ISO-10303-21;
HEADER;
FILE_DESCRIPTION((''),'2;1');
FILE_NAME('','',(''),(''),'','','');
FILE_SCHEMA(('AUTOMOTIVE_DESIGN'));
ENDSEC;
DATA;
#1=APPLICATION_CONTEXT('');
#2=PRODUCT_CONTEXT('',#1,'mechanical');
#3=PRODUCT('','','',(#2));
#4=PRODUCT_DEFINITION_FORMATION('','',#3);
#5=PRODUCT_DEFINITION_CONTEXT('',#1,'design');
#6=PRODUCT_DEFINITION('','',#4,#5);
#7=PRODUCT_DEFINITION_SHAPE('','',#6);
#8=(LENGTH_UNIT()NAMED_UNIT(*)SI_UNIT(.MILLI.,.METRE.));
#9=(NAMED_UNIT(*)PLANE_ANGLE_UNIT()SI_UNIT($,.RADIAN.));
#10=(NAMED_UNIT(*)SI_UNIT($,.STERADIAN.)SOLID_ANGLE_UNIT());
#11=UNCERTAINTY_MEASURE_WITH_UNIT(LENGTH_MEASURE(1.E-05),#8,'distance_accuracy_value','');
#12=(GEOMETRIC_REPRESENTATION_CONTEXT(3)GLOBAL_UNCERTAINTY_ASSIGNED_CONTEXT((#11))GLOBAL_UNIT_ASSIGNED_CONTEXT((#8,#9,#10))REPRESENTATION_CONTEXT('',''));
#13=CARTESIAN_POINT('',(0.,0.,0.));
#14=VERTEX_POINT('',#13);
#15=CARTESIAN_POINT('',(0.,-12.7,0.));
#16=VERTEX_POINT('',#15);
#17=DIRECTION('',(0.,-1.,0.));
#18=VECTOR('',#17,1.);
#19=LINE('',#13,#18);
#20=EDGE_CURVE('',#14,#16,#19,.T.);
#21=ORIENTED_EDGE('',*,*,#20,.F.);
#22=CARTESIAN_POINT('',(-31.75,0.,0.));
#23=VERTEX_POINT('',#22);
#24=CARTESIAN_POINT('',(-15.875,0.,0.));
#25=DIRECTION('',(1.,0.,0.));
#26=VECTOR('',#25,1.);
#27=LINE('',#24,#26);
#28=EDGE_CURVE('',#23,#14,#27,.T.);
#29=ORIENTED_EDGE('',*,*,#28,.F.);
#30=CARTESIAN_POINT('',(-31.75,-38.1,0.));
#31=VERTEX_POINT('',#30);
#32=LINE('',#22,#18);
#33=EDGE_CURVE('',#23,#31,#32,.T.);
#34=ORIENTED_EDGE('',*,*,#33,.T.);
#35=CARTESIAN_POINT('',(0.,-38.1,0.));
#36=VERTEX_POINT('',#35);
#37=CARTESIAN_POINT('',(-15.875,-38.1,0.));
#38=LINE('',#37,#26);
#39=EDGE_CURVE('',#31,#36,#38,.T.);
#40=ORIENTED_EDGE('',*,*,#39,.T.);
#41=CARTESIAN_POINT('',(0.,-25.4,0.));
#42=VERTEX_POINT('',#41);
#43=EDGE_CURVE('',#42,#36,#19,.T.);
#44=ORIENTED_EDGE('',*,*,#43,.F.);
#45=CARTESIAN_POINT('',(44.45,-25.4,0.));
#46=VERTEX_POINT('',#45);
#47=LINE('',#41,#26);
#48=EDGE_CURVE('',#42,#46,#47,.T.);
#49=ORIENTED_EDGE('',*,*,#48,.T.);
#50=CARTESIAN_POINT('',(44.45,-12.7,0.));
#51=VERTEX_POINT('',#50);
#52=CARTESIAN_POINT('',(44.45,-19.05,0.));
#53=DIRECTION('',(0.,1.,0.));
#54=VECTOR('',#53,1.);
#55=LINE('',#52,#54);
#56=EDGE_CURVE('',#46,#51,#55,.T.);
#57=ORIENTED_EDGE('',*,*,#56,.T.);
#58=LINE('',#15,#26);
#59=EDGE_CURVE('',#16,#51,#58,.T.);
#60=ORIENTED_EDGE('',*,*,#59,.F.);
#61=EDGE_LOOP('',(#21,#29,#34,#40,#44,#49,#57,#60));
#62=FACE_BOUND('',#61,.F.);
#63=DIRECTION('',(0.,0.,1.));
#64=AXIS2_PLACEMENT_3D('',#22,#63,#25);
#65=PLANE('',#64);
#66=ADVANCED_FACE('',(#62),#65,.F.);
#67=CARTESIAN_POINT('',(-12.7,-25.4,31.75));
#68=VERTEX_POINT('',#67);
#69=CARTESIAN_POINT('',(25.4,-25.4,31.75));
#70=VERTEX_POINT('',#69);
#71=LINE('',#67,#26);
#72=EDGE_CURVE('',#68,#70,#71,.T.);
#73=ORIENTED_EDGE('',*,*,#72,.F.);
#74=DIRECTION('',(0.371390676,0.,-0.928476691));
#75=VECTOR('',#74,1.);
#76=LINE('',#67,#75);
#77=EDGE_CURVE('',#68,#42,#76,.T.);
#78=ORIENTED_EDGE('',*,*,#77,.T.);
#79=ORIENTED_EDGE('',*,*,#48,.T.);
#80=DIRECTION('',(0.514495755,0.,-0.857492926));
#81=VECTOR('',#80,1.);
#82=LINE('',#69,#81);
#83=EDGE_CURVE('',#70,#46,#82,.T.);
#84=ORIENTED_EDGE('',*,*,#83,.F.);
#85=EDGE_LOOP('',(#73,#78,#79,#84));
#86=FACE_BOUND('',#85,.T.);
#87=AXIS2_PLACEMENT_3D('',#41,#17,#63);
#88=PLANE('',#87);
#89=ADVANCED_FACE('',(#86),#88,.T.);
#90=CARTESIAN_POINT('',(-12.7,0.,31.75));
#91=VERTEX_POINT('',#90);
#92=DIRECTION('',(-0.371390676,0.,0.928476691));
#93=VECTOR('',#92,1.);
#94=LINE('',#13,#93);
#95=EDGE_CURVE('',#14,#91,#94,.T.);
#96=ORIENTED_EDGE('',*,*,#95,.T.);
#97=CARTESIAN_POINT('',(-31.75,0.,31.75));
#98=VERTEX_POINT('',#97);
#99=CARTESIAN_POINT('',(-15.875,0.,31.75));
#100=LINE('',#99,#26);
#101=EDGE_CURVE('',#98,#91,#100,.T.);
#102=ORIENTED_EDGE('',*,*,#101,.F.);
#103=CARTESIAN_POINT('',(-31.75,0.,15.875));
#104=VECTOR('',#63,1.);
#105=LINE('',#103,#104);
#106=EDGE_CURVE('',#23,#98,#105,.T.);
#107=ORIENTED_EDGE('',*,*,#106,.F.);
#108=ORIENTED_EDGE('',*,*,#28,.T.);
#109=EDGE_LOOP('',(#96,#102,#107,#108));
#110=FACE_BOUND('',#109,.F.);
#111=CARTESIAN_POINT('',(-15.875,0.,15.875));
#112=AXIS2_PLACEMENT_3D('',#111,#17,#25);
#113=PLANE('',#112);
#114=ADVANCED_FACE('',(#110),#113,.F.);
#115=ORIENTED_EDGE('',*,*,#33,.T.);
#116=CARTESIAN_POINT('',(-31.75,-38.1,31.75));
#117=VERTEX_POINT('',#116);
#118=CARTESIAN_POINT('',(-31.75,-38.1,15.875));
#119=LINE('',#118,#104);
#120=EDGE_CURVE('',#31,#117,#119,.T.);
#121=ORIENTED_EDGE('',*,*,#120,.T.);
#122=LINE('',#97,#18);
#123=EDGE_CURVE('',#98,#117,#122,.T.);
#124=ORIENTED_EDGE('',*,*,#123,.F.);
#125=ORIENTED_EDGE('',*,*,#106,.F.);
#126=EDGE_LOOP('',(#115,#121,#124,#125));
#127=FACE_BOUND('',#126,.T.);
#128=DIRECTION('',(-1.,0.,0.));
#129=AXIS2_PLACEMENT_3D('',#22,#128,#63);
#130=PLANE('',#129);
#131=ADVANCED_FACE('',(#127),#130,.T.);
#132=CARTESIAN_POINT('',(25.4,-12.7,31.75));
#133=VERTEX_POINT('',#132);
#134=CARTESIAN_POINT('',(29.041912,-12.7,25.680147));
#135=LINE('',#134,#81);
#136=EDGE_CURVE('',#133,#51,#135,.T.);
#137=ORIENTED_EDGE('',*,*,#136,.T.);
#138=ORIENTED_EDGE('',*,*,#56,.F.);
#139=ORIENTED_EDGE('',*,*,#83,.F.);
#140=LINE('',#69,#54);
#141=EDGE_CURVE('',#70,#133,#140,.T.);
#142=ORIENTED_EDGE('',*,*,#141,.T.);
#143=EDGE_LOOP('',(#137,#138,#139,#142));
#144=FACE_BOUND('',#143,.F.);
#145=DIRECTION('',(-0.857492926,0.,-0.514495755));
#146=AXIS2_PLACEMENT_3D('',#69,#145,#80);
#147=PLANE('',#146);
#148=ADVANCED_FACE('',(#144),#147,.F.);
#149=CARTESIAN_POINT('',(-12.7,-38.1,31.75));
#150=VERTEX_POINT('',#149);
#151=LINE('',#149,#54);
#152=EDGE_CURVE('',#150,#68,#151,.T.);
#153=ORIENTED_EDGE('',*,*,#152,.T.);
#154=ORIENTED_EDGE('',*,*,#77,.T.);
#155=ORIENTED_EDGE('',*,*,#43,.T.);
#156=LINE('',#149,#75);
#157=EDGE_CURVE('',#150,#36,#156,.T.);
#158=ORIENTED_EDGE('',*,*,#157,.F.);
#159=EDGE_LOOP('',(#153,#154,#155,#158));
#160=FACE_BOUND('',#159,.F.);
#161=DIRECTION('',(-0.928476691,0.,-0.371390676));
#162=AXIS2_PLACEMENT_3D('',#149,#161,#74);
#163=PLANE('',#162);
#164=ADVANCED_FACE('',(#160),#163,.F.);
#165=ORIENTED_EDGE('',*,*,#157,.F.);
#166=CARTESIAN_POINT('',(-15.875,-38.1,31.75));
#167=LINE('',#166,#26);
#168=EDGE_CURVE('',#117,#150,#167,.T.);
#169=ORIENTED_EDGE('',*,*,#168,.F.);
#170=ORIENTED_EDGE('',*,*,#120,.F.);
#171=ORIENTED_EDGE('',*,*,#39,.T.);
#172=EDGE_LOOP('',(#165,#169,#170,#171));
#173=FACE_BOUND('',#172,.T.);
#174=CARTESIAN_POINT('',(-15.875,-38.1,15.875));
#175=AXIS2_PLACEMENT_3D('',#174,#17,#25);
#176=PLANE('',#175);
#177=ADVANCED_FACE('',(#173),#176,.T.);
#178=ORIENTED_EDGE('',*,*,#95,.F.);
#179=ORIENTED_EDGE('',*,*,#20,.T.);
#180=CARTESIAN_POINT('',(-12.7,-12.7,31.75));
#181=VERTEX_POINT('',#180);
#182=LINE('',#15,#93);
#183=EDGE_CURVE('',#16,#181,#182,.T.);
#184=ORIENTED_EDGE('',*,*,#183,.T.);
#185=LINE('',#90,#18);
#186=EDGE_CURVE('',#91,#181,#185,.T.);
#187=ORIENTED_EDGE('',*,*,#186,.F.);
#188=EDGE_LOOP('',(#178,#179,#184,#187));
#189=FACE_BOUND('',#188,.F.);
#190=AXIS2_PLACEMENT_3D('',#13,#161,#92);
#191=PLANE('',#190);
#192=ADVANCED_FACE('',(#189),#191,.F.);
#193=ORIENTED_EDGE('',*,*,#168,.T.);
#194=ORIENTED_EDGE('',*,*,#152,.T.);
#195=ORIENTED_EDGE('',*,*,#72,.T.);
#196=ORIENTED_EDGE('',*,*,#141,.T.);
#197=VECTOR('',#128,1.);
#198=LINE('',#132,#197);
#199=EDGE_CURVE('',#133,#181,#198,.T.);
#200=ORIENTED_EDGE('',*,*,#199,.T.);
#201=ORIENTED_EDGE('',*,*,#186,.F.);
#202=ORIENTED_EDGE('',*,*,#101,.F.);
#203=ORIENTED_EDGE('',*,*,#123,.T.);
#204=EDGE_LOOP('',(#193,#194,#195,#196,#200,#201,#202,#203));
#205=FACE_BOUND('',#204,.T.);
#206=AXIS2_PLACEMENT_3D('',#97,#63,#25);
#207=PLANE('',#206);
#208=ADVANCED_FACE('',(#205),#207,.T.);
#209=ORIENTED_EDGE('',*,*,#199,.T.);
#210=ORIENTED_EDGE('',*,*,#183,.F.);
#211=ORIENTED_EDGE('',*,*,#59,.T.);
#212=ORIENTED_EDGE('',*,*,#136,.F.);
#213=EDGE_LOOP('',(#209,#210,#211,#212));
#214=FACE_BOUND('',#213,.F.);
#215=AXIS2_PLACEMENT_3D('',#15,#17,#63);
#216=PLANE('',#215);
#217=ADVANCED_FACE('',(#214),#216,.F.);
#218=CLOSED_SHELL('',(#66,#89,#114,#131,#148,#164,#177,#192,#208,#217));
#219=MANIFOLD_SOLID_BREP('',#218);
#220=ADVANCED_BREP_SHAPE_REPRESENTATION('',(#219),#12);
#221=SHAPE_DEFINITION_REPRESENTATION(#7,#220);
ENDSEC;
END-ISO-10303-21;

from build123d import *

# Parameters (mm, degrees)
F0_W      = 31.75
F0_H      = 31.75
F1_DEPTH  = 38.1
F2_W      = 12.7
F2_H      = 31.75
F3_DEPTH  = 44.45
F6_DEPTH  = 25.401
F8_DEPTH  = 12.7
F10_DEPTH = 12.7


with BuildPart() as f1:
    # F0 (on Front) → F1 (new body)
    with BuildSketch(Plane.XZ):
        with Locations((-15.875, 15.875)):
            Rectangle(F0_W, F0_H)
    extrude(amount=F1_DEPTH)

    # F2 (on face) → F3 (join)
    with BuildSketch(Plane.YZ):
        with Locations((-19.05, 15.875)):
            Rectangle(F2_W, F2_H)
    extrude(amount=F3_DEPTH)

    # F4 (on face) → F6 (cut, through all)
    with BuildSketch(Plane.XZ.offset(25.4)):
        Polygon((44.45, 31.75), (25.4, 31.75), (44.45, 0), align=None)
    extrude(amount=-F6_DEPTH, mode=Mode.SUBTRACT)

    # F7 (on face) → F8 (cut)
    with BuildSketch(Plane.XZ.offset(38.1)):
        Polygon((-12.7, 31.75), (0, 0), (0, 31.75), align=None)
    extrude(amount=-F8_DEPTH, mode=Mode.SUBTRACT)

    # F9 (on face) → F10 (cut)
    with BuildSketch(Plane(origin=(0, 0, 0), x_dir=(-1, 0, 0), z_dir=(0, 1, 0))):
        Polygon((0, 31.75), (0, 0), (12.7, 31.75), align=None)
    extrude(amount=-F10_DEPTH, mode=Mode.SUBTRACT)


solid = f1.part
